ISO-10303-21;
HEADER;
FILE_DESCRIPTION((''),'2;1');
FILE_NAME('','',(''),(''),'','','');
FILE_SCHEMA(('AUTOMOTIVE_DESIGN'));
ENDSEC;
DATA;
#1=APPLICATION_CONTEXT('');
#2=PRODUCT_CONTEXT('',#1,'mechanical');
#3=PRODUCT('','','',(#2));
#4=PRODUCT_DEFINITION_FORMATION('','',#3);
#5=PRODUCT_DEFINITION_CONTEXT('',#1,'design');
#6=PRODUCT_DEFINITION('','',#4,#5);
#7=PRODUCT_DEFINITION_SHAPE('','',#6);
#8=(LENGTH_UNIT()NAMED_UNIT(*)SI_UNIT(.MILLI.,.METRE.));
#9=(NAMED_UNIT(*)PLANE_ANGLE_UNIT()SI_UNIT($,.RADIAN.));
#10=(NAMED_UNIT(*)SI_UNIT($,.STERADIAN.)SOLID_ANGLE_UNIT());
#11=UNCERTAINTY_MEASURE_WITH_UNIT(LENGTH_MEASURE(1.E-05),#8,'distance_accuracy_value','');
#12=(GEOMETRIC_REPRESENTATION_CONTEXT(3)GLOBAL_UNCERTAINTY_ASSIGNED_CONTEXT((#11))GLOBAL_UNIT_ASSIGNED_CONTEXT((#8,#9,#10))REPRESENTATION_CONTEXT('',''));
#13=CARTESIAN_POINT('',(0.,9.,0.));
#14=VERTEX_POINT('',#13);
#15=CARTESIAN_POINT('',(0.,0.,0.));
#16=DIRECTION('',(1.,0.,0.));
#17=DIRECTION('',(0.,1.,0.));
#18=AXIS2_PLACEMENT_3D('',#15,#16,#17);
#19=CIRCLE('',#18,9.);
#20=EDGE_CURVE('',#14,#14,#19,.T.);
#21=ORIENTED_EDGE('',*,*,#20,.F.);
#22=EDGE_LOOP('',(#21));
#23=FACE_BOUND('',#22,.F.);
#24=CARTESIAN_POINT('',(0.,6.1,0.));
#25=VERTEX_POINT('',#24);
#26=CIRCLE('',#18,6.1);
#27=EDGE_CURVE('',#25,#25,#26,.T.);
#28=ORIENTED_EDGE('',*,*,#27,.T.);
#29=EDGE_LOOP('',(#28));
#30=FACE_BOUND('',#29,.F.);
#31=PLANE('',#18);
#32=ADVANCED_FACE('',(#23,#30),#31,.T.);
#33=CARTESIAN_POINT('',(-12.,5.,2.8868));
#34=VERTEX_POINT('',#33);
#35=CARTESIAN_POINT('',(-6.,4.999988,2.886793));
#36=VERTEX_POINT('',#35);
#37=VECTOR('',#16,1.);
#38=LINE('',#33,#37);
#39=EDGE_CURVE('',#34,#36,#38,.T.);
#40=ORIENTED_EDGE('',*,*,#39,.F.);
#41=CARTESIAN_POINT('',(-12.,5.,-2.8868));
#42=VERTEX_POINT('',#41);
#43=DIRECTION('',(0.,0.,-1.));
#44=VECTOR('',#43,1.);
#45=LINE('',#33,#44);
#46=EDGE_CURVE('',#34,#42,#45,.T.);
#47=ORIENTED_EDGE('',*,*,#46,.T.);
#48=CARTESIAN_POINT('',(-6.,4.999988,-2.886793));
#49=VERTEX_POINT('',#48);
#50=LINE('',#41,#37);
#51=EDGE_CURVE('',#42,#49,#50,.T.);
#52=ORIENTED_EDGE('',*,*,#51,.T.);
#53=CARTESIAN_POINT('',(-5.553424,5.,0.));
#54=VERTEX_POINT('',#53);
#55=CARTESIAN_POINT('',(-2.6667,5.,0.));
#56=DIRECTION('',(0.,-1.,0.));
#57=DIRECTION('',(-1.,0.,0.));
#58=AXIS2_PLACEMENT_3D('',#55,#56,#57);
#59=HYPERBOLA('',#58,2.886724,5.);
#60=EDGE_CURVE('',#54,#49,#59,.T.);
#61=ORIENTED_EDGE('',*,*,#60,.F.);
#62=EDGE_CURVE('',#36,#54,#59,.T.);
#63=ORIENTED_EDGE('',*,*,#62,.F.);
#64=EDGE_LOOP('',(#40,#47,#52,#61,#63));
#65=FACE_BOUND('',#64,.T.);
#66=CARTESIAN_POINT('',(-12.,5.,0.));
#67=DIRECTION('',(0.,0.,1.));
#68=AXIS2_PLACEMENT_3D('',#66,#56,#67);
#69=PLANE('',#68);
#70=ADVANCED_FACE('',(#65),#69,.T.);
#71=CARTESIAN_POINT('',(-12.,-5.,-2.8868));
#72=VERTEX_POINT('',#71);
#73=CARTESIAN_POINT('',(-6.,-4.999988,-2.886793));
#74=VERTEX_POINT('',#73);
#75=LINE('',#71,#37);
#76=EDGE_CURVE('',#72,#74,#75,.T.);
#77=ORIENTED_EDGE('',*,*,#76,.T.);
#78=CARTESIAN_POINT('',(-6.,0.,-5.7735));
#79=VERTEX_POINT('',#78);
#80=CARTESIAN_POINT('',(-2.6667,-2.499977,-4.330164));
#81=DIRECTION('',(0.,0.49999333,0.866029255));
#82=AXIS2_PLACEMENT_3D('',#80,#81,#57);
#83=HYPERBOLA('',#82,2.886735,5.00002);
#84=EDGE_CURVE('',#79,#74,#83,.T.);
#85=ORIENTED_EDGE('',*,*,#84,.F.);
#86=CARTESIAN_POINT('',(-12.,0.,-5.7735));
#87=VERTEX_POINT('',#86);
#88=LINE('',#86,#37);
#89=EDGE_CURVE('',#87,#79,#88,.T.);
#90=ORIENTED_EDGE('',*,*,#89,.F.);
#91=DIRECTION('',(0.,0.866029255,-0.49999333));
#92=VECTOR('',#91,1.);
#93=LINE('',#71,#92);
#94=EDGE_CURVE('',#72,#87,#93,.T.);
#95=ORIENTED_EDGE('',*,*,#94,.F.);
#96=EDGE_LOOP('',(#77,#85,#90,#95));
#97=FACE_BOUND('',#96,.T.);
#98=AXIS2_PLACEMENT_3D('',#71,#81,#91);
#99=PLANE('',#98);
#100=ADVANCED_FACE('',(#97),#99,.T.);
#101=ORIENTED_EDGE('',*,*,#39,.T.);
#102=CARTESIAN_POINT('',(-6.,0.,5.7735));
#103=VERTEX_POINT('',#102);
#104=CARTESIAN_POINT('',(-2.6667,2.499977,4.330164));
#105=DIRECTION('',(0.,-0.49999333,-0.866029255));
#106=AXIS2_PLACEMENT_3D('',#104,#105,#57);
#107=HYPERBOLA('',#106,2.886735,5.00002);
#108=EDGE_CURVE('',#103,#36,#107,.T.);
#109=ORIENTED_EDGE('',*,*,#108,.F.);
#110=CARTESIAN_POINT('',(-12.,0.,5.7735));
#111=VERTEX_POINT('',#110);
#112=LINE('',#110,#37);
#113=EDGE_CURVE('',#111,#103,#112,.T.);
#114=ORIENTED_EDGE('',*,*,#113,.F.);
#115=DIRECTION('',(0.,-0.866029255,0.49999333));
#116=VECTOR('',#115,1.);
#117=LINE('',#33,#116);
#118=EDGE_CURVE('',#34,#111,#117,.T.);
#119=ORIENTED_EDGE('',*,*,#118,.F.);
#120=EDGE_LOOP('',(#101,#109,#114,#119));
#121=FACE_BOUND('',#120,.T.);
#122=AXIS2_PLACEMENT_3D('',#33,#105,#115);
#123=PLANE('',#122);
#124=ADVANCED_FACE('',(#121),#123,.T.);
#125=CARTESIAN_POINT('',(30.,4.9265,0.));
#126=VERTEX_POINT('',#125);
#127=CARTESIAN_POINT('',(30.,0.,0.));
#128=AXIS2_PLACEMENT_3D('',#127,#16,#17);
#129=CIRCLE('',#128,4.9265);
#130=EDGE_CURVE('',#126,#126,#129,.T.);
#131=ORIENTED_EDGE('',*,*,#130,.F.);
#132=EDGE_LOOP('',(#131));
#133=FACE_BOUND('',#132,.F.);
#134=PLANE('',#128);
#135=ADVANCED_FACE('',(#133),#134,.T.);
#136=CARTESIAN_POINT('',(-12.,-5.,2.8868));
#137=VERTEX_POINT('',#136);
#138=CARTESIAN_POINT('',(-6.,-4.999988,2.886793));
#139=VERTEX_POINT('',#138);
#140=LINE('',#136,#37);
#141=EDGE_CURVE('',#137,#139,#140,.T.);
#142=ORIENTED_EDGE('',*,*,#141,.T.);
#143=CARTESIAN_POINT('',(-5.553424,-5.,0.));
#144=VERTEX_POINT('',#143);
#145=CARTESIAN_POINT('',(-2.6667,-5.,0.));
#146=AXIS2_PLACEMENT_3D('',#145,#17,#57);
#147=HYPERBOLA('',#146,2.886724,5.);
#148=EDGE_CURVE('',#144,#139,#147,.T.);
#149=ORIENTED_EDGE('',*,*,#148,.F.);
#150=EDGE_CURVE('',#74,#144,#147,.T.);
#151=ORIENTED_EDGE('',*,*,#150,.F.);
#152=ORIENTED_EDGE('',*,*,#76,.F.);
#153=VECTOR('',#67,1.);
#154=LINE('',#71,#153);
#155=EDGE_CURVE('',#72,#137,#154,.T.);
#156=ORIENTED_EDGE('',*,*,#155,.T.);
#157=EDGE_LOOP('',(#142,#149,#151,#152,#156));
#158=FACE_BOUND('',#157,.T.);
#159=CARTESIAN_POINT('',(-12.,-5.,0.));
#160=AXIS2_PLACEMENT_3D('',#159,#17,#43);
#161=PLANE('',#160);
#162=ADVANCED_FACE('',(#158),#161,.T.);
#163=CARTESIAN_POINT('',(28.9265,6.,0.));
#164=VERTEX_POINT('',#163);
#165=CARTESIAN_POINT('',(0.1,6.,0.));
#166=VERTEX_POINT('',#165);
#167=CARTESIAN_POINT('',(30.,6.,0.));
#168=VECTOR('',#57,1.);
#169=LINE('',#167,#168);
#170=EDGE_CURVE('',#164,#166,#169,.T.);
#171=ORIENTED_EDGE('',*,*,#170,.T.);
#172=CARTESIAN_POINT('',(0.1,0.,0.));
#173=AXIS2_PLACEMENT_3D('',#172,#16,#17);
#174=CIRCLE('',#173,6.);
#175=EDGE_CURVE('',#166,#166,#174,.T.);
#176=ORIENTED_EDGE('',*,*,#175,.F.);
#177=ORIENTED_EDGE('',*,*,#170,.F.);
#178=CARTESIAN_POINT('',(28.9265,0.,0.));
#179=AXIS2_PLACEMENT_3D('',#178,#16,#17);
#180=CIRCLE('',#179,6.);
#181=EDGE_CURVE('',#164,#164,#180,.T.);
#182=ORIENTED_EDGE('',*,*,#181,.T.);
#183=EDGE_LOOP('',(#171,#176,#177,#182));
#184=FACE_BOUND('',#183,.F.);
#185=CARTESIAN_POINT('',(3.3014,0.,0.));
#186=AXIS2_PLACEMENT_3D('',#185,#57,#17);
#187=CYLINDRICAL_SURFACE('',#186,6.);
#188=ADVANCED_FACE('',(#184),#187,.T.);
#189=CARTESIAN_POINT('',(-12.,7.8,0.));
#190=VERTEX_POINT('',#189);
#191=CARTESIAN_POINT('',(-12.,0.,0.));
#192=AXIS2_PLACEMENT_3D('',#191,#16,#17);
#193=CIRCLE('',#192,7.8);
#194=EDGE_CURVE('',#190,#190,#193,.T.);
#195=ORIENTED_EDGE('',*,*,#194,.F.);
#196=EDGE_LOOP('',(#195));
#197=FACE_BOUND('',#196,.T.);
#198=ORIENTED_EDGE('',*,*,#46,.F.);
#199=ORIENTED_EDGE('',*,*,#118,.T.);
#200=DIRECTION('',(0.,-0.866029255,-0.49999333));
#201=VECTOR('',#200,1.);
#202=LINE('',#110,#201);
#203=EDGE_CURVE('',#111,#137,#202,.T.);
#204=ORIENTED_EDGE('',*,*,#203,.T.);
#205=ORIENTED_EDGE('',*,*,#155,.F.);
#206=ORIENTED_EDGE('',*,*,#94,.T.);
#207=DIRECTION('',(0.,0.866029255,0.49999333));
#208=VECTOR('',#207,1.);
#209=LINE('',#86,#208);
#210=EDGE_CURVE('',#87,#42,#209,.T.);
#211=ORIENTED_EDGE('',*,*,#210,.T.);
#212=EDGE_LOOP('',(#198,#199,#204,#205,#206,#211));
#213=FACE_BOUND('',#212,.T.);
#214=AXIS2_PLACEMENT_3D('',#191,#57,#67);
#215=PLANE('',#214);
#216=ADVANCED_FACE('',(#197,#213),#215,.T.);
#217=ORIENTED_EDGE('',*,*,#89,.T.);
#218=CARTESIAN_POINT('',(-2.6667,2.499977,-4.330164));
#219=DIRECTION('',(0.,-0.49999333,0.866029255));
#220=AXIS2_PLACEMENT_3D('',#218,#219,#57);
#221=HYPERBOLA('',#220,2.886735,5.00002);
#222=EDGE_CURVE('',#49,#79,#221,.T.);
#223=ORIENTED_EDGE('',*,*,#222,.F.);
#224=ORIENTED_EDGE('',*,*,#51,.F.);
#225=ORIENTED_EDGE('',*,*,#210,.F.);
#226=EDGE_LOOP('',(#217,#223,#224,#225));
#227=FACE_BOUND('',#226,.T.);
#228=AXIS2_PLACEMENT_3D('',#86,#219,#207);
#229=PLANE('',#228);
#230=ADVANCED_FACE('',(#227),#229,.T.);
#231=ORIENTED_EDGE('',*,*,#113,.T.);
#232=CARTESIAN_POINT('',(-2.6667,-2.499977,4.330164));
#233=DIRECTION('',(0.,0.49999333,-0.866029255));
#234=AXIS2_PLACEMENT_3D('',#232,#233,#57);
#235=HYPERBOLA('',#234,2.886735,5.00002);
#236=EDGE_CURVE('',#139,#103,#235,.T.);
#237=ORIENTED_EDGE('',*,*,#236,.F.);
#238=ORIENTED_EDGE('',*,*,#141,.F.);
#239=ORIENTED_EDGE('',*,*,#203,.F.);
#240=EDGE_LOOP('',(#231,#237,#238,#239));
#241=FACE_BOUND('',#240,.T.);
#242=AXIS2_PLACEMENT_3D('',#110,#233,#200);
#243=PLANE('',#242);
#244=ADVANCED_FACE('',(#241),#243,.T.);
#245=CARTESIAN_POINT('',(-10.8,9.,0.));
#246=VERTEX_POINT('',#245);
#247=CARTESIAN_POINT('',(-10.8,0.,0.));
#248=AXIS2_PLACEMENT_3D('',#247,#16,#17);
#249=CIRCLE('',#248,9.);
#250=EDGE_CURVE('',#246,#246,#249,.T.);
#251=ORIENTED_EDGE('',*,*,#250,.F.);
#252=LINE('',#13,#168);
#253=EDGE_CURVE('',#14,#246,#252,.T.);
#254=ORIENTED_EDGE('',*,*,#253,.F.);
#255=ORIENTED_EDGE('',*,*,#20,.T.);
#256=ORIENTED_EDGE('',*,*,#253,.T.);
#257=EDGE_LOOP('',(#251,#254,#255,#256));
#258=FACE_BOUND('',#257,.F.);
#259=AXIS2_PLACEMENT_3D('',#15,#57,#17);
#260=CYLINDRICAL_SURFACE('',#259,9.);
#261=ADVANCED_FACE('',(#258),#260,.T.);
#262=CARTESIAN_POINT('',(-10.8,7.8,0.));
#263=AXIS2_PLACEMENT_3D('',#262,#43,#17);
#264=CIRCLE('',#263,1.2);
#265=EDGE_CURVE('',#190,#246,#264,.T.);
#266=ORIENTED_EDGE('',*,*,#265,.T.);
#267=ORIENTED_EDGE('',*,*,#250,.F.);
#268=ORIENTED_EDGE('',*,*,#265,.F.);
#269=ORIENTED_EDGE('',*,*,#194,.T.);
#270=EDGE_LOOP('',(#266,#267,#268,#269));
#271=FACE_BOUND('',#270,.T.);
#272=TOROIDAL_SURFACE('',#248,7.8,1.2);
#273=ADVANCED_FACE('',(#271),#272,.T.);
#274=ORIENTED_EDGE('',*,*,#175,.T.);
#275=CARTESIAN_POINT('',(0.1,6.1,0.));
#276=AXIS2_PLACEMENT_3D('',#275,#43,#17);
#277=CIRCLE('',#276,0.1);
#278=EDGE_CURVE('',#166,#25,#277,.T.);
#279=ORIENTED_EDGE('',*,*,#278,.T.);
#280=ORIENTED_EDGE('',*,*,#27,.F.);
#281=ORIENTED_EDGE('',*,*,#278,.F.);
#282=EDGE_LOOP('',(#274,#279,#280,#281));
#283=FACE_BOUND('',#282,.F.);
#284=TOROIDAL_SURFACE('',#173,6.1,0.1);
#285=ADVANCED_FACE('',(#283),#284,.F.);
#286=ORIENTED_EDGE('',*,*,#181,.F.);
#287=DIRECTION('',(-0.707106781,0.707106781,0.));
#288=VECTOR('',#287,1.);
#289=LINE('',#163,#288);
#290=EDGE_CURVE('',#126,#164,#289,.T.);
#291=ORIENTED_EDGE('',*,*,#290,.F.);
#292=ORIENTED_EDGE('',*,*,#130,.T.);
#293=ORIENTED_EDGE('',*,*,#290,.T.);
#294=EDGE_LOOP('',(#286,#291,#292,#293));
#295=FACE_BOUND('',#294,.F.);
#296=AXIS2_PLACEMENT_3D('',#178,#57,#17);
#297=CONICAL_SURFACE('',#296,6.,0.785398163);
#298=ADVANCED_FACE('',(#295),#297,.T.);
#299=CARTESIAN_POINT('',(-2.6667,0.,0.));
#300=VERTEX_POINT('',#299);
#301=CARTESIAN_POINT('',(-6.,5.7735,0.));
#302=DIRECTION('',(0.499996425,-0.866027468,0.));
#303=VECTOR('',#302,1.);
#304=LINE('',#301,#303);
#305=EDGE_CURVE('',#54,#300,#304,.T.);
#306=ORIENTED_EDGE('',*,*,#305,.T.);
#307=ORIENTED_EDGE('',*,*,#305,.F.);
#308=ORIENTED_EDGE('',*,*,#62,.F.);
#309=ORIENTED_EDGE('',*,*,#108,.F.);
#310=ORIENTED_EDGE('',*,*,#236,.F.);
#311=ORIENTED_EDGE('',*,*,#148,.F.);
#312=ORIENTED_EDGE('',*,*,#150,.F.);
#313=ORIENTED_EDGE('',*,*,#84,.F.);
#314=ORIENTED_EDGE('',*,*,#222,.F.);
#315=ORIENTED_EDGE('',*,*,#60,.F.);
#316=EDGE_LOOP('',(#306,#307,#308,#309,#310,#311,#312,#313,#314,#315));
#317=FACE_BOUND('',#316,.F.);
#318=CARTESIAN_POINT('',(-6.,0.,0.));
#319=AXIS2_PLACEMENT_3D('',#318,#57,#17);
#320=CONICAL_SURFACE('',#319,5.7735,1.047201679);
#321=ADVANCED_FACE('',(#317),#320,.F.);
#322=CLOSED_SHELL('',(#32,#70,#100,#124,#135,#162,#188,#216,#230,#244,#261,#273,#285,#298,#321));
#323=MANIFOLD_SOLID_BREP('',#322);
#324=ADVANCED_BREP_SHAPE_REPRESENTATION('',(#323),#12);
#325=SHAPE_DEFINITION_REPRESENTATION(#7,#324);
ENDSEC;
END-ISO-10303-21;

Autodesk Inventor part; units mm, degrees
ref_plane "YZ Plane" through (0, 0, 0) normal (1, 0, 0) x (0, 1, 0)
ref_plane "XZ Plane" through (0, 0, 0) normal (0, 1, 0) x (-1, 0, 0)
sketch "Sketch1" plane through (0, 0, 0) normal (0, 0, 1) x (1, 0, 0)
  line L0 (-2.6667, 0) -> (30, 0)
  line L1 (30, 0) -> (30, 6)
  line L2 (30, 6) -> (4.375, 6)
  line L3 (4.375, 6) -> (3.3014, 6)
  line L4 (3.3014, 6) -> (0, 6)
  line L5 (0, 6) -> (0, 9)
  line L6 (0, 9) -> (-12, 9)
  line L7 (-12, 9) -> (-12, 5.7735)
  line L8 (-12, 5.7735) -> (-6, 5.7735)
  line L9 (-6, 5.7735) -> (-2.6667, 0)
  line L10 (-20.4, 0) -> (38.4, 0) projected
  line L11 (0, -1.8) -> (0, 10.8) projected
  line L12 (4.375, 6) -> (0, 6) construction
  dimension "d1" = 25.625
  dimension "d2" = 1.0736
  dimension "d3" = 12
  dimension "d4" = 6
  dimension "d5" = 60
  dimension "d6" = 12
  dimension "d7" = 12
  dimension "d8" = 11.547
  dimension "d9" = 18
  dimension "d26" = 30
revolve "Body" add sketch "Sketch1" angle 360 about axis through (-2.6667, 0, 0) along (1, 0, 0)
sketch "Sketch2" plane through (-12, 0, 0) normal (-1, 0, 0) x (0, 0, 1)
  circle A0 centre (0, 0) radius 5.7735 projected
  line L0 (0, -12.6) -> (0, 12.6) projected
  line L1 (-12.6, 0) -> (12.6, 0) projected
  line L2 (5.7735, 0) -> (2.8868, -5)
  line L3 (2.8868, -5) -> (-2.8868, -5)
  line L4 (-2.8868, -5) -> (-5.7735, 0)
  line L5 (-5.7735, 0) -> (-2.8868, 5)
  line L6 (-2.8868, 5) -> (2.8868, 5)
  line L7 (2.8868, 5) -> (5.7735, 0)
extrude "Slot" add sketch "Sketch2" against normal up to next contours L7 A0 | A0 L2 | L6 L0 A0 | A0 L0 L3 | L0 L6 A0 | A0 L3 L0 | L4 A0 | A0 L5
fillet "Fillet1" radius 1.2 1 edges at (-12, -9, 0)
thread "Thread" size "M12x1.75" class "6g" standard "ISO Metric profile" length 25.625
chamfer "Chamfer1" distance 1.0735 distance2 1.0735 1 edges at (30, -6, 0) measured on face at (30, 0.7092, -1.4219)
ref_plane "Work Plane1" through (29, 0, 0) normal (0, -1, 0) x (1, 0, 0)
fillet "Fillet2" radius 0.1 1 edges at (0, -6, 0)
equation "\"d1\" = GEL"
equation "\"d3\" = KOH"
equation "\"d4\" = INTI"
equation "\"d6\" = GD"
equation "\"d7\" = BDM"
equation "\"d8\" = 1.1547 * SW"
equation "\"d9\" = KOD"
equation "\"d26\" = NLG"
equation "\"d30\" = R"
equation "\"d17\" = RR"
equation "\"d13\" = GEL"
equation "\"d15\" = -0.5 * SPD + 0.5 * GD"
equation "\"d16\" = GUL"
equation "\"GD\" = NND"
equation "\"NLG\" = 30"
equation "\"GEL\" = 25.625"
equation "\"KOD\" = 18"
equation "\"KOH\" = NND"
equation "\"INTI\" = 6"
equation "\"GAL\" = 0.61345 * PTC"
equation "\"GUL\" = 0.61345 * PTC"
equation "\"BDM\" = NND"
equation "\"RR\" = 0.1 * NND"
equation "\"SPD\" = NND - 1.2269 * PTC"
equation "\"R\" = 0.1"
equation "\"PHH\" = 0.25"
equation "\"GD1\" = THREADDIA - 1.2269 * PTC"
equation "\"THREADDIA\" = 12"
equation "\"FAWI\" = 45deg"
equation "\"PTC\" = 1.75"
equation "\"KOH1\" = 10.8"
equation "\"NND\" = 12"
equation "\"TOA\" = 30deg"
equation "\"E0\" = 1.155 * SW"
equation "\"SW\" = 10"
properties part number "AS 1420 - 1973 - M12 x 30" material "Steel, Mild"
